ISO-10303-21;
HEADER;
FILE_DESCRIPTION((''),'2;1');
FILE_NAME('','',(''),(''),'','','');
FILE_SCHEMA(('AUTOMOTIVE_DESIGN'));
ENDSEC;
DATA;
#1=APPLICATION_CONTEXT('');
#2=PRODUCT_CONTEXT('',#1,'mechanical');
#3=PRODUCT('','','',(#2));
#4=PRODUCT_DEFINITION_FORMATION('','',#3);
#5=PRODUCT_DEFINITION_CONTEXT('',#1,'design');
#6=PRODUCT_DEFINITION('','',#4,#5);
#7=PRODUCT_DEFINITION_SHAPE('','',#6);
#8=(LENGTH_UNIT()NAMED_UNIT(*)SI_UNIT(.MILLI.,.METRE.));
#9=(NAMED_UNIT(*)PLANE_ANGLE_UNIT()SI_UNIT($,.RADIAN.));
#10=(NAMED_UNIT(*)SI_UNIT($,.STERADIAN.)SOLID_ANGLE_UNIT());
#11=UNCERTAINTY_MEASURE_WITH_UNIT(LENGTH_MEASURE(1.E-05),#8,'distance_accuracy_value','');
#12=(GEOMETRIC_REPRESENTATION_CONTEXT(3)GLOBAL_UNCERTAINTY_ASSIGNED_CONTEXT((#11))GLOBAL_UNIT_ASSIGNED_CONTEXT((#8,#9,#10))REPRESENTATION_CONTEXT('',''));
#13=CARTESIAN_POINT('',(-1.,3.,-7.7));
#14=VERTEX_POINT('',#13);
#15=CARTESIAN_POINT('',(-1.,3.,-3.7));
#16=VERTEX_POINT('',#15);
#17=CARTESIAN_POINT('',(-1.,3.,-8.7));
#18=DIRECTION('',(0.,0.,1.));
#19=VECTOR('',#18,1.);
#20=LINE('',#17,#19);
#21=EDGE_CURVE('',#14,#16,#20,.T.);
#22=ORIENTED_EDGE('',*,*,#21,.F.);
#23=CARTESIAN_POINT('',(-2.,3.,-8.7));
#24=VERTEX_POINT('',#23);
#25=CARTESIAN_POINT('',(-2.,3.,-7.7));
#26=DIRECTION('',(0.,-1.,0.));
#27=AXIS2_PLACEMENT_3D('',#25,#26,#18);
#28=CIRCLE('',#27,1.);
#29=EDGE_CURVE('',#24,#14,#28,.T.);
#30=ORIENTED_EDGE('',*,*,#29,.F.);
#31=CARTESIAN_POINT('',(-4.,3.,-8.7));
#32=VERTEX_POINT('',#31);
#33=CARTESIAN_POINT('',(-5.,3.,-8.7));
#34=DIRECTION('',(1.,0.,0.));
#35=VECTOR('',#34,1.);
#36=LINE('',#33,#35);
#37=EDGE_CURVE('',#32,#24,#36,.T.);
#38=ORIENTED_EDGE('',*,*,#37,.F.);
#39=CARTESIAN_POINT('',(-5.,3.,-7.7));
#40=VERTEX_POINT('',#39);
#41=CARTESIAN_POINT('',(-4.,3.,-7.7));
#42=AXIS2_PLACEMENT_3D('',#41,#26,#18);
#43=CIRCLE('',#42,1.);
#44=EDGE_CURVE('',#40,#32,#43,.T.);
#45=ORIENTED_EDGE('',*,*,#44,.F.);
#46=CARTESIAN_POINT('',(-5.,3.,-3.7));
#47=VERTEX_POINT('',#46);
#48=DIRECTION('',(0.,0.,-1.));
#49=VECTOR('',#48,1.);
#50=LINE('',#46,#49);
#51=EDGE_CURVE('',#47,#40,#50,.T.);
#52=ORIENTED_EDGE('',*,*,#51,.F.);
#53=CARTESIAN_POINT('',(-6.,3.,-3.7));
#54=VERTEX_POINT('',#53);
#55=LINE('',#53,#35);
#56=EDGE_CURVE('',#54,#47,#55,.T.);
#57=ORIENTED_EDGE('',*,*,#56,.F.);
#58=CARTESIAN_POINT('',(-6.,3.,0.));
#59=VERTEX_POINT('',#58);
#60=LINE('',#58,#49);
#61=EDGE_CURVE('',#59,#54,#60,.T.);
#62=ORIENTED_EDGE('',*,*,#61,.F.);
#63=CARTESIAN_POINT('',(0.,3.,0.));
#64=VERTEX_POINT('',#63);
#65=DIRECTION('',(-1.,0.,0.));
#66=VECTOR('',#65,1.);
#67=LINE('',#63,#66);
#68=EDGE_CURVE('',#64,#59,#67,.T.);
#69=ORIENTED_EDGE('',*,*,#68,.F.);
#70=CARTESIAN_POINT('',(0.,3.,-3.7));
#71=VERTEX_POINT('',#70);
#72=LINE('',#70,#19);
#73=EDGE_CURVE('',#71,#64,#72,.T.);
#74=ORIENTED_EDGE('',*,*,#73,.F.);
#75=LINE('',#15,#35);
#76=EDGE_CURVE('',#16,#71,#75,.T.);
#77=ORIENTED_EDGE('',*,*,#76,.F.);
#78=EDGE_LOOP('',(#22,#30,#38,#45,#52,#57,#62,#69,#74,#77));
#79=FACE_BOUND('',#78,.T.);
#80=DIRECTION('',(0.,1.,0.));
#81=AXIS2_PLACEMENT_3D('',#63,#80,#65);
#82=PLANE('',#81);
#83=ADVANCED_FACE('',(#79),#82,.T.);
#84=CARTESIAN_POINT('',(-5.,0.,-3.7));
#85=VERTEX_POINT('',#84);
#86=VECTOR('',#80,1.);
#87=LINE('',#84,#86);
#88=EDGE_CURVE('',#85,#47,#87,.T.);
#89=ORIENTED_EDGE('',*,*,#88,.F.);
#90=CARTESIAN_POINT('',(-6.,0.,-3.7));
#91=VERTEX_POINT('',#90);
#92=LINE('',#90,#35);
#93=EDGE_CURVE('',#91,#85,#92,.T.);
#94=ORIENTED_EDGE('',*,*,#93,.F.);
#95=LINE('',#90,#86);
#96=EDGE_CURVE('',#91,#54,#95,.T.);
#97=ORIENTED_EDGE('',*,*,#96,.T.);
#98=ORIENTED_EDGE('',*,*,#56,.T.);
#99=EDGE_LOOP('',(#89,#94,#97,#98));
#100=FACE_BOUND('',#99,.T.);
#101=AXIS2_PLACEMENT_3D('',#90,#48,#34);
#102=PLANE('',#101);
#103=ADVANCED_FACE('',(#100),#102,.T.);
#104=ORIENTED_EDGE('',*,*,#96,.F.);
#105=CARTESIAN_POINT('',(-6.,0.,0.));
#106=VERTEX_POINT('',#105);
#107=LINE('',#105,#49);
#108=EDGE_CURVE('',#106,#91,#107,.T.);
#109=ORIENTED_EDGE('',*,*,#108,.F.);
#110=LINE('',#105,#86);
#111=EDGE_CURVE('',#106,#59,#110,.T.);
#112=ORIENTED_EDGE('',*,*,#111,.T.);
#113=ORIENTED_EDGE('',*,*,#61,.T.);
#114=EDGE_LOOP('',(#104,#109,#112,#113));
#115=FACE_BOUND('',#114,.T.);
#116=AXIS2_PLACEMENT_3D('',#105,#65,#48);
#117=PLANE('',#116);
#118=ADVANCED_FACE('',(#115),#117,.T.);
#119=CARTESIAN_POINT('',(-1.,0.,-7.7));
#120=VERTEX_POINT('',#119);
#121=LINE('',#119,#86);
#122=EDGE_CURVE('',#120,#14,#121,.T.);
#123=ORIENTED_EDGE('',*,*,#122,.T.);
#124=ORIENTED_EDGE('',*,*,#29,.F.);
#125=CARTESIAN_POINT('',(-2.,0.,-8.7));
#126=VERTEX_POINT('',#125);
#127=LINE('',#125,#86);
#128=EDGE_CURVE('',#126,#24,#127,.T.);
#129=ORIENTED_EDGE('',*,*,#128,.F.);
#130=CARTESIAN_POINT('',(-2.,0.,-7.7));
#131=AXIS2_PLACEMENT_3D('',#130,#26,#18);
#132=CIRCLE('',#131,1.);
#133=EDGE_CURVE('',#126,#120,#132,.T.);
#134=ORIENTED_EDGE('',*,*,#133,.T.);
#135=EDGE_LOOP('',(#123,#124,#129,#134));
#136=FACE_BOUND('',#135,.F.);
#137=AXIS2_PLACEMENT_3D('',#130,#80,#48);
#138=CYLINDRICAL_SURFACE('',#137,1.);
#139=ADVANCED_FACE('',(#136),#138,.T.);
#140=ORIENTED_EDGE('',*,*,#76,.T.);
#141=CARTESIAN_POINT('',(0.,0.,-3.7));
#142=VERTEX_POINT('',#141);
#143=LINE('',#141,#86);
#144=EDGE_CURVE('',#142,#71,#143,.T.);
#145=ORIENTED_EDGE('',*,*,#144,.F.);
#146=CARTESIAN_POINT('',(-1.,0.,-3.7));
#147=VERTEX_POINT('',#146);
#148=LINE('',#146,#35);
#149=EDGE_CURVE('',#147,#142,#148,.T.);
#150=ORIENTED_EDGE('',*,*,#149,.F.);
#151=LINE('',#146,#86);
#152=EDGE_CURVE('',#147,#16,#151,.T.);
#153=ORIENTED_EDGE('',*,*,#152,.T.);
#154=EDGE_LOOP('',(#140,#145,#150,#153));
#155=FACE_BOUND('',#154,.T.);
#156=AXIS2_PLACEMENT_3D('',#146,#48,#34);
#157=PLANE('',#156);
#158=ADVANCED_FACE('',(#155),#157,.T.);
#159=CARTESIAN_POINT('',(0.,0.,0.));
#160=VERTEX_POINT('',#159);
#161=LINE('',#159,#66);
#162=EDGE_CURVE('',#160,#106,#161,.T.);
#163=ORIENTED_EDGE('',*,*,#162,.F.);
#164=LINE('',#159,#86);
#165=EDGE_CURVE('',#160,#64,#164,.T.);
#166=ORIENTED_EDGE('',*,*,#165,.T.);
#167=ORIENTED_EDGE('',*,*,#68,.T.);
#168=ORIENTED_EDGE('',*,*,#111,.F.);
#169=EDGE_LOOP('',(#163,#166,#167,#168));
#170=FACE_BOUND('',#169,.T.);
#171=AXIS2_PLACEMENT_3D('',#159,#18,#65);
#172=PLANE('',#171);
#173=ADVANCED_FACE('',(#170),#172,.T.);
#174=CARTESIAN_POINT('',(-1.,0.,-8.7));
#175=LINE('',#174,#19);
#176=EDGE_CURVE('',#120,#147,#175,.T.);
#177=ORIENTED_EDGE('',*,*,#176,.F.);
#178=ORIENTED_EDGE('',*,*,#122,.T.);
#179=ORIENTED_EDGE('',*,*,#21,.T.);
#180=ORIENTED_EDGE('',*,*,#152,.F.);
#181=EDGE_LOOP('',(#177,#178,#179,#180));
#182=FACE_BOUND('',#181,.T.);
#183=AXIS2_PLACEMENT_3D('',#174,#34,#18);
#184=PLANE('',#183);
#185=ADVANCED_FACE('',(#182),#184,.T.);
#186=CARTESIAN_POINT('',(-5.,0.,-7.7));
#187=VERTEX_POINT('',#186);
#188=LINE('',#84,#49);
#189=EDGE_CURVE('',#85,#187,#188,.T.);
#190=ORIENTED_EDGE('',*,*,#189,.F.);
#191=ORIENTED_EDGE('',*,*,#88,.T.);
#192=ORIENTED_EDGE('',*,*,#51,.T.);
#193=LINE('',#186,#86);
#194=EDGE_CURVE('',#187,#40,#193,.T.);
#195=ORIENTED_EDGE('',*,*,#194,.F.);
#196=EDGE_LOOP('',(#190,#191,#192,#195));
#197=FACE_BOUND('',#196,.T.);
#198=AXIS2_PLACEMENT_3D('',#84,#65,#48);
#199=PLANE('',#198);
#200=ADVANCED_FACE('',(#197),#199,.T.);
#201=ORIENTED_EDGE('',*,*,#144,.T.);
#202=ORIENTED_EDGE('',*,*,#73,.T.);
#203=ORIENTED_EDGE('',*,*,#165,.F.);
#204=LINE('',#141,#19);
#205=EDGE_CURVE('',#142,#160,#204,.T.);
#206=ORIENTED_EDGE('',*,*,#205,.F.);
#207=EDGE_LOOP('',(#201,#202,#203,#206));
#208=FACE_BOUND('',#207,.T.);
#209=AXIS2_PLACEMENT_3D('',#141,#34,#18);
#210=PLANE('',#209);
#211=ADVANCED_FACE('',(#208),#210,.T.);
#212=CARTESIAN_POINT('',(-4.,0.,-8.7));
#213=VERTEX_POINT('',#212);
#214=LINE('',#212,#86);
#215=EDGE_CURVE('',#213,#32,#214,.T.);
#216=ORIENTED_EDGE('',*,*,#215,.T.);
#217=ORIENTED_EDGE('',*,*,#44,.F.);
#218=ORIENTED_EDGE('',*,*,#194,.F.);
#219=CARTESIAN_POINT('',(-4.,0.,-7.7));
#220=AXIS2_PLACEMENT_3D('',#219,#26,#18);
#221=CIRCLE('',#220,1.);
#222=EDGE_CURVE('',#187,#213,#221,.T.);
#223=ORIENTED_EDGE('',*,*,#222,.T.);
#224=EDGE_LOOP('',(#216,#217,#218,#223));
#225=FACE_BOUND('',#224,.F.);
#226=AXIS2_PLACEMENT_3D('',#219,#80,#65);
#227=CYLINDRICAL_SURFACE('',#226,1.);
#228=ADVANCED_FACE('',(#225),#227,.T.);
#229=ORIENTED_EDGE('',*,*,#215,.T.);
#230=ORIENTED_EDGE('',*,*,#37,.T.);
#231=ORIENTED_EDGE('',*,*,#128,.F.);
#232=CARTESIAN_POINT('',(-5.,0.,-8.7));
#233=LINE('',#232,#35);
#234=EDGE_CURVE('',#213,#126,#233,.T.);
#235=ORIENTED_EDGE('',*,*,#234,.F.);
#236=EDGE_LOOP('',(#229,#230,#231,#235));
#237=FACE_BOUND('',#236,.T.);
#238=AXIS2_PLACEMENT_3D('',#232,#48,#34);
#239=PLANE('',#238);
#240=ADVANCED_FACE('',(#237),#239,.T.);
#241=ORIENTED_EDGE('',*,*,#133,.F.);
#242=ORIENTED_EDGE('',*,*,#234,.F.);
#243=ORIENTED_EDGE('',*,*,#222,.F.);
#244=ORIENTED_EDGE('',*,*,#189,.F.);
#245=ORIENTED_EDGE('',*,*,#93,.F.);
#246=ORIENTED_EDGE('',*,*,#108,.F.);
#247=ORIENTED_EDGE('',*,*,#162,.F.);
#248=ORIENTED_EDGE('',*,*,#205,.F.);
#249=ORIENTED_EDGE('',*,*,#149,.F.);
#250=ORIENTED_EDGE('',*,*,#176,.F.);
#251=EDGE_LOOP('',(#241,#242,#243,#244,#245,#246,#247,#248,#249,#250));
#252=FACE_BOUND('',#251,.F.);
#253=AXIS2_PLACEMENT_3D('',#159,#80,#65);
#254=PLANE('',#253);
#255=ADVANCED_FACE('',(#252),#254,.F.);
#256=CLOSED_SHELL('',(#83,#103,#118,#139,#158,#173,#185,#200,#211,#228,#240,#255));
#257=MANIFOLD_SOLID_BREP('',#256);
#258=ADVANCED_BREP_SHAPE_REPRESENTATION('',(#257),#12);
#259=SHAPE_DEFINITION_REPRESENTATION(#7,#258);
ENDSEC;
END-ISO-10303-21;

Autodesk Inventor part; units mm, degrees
ref_plane "YZ Plane" through (0, 0, 0) normal (1, 0, 0) x (0, 1, 0)
ref_plane "XZ Plane" through (0, 0, 0) normal (0, 1, 0) x (-1, 0, 0)
ref_plane "XY Plane" through (0, 0, 0) normal (0, 0, 1) x (1, 0, 0)
sketch "Sketch1" plane through (0, 0, 0) normal (0, 1, 0) x (-1, 0, 0)
  line L0 (0, 0) -> (6, 0)
  line L1 (6, 0) -> (6, -3.7)
  line L2 (6, -3.7) -> (5, -3.7)
  line L3 (5, -3.7) -> (5, -8.7)
  line L4 (5, -8.7) -> (1, -8.7)
  line L5 (1, -8.7) -> (1, -3.7)
  line L6 (1, -3.7) -> (0, -3.7)
  line L7 (0, -3.7) -> (0, 0)
  dimension "d0" = 6
  dimension "d1" = 3.7
  dimension "d2" = 1
  dimension "d3" = 5
  dimension "d4" = 4
  dimension "d5" = 5
  dimension "d6" = 1
extrude "Extrusion1" add sketch "Sketch1" along normal blind 3
fillet "Fillet1" radius 1 2 edges at (-1, 1.5, -8.7) (-5, 1.5, -8.7)
properties part number "BBGW Case Button" material "Acrylic, Clear"
